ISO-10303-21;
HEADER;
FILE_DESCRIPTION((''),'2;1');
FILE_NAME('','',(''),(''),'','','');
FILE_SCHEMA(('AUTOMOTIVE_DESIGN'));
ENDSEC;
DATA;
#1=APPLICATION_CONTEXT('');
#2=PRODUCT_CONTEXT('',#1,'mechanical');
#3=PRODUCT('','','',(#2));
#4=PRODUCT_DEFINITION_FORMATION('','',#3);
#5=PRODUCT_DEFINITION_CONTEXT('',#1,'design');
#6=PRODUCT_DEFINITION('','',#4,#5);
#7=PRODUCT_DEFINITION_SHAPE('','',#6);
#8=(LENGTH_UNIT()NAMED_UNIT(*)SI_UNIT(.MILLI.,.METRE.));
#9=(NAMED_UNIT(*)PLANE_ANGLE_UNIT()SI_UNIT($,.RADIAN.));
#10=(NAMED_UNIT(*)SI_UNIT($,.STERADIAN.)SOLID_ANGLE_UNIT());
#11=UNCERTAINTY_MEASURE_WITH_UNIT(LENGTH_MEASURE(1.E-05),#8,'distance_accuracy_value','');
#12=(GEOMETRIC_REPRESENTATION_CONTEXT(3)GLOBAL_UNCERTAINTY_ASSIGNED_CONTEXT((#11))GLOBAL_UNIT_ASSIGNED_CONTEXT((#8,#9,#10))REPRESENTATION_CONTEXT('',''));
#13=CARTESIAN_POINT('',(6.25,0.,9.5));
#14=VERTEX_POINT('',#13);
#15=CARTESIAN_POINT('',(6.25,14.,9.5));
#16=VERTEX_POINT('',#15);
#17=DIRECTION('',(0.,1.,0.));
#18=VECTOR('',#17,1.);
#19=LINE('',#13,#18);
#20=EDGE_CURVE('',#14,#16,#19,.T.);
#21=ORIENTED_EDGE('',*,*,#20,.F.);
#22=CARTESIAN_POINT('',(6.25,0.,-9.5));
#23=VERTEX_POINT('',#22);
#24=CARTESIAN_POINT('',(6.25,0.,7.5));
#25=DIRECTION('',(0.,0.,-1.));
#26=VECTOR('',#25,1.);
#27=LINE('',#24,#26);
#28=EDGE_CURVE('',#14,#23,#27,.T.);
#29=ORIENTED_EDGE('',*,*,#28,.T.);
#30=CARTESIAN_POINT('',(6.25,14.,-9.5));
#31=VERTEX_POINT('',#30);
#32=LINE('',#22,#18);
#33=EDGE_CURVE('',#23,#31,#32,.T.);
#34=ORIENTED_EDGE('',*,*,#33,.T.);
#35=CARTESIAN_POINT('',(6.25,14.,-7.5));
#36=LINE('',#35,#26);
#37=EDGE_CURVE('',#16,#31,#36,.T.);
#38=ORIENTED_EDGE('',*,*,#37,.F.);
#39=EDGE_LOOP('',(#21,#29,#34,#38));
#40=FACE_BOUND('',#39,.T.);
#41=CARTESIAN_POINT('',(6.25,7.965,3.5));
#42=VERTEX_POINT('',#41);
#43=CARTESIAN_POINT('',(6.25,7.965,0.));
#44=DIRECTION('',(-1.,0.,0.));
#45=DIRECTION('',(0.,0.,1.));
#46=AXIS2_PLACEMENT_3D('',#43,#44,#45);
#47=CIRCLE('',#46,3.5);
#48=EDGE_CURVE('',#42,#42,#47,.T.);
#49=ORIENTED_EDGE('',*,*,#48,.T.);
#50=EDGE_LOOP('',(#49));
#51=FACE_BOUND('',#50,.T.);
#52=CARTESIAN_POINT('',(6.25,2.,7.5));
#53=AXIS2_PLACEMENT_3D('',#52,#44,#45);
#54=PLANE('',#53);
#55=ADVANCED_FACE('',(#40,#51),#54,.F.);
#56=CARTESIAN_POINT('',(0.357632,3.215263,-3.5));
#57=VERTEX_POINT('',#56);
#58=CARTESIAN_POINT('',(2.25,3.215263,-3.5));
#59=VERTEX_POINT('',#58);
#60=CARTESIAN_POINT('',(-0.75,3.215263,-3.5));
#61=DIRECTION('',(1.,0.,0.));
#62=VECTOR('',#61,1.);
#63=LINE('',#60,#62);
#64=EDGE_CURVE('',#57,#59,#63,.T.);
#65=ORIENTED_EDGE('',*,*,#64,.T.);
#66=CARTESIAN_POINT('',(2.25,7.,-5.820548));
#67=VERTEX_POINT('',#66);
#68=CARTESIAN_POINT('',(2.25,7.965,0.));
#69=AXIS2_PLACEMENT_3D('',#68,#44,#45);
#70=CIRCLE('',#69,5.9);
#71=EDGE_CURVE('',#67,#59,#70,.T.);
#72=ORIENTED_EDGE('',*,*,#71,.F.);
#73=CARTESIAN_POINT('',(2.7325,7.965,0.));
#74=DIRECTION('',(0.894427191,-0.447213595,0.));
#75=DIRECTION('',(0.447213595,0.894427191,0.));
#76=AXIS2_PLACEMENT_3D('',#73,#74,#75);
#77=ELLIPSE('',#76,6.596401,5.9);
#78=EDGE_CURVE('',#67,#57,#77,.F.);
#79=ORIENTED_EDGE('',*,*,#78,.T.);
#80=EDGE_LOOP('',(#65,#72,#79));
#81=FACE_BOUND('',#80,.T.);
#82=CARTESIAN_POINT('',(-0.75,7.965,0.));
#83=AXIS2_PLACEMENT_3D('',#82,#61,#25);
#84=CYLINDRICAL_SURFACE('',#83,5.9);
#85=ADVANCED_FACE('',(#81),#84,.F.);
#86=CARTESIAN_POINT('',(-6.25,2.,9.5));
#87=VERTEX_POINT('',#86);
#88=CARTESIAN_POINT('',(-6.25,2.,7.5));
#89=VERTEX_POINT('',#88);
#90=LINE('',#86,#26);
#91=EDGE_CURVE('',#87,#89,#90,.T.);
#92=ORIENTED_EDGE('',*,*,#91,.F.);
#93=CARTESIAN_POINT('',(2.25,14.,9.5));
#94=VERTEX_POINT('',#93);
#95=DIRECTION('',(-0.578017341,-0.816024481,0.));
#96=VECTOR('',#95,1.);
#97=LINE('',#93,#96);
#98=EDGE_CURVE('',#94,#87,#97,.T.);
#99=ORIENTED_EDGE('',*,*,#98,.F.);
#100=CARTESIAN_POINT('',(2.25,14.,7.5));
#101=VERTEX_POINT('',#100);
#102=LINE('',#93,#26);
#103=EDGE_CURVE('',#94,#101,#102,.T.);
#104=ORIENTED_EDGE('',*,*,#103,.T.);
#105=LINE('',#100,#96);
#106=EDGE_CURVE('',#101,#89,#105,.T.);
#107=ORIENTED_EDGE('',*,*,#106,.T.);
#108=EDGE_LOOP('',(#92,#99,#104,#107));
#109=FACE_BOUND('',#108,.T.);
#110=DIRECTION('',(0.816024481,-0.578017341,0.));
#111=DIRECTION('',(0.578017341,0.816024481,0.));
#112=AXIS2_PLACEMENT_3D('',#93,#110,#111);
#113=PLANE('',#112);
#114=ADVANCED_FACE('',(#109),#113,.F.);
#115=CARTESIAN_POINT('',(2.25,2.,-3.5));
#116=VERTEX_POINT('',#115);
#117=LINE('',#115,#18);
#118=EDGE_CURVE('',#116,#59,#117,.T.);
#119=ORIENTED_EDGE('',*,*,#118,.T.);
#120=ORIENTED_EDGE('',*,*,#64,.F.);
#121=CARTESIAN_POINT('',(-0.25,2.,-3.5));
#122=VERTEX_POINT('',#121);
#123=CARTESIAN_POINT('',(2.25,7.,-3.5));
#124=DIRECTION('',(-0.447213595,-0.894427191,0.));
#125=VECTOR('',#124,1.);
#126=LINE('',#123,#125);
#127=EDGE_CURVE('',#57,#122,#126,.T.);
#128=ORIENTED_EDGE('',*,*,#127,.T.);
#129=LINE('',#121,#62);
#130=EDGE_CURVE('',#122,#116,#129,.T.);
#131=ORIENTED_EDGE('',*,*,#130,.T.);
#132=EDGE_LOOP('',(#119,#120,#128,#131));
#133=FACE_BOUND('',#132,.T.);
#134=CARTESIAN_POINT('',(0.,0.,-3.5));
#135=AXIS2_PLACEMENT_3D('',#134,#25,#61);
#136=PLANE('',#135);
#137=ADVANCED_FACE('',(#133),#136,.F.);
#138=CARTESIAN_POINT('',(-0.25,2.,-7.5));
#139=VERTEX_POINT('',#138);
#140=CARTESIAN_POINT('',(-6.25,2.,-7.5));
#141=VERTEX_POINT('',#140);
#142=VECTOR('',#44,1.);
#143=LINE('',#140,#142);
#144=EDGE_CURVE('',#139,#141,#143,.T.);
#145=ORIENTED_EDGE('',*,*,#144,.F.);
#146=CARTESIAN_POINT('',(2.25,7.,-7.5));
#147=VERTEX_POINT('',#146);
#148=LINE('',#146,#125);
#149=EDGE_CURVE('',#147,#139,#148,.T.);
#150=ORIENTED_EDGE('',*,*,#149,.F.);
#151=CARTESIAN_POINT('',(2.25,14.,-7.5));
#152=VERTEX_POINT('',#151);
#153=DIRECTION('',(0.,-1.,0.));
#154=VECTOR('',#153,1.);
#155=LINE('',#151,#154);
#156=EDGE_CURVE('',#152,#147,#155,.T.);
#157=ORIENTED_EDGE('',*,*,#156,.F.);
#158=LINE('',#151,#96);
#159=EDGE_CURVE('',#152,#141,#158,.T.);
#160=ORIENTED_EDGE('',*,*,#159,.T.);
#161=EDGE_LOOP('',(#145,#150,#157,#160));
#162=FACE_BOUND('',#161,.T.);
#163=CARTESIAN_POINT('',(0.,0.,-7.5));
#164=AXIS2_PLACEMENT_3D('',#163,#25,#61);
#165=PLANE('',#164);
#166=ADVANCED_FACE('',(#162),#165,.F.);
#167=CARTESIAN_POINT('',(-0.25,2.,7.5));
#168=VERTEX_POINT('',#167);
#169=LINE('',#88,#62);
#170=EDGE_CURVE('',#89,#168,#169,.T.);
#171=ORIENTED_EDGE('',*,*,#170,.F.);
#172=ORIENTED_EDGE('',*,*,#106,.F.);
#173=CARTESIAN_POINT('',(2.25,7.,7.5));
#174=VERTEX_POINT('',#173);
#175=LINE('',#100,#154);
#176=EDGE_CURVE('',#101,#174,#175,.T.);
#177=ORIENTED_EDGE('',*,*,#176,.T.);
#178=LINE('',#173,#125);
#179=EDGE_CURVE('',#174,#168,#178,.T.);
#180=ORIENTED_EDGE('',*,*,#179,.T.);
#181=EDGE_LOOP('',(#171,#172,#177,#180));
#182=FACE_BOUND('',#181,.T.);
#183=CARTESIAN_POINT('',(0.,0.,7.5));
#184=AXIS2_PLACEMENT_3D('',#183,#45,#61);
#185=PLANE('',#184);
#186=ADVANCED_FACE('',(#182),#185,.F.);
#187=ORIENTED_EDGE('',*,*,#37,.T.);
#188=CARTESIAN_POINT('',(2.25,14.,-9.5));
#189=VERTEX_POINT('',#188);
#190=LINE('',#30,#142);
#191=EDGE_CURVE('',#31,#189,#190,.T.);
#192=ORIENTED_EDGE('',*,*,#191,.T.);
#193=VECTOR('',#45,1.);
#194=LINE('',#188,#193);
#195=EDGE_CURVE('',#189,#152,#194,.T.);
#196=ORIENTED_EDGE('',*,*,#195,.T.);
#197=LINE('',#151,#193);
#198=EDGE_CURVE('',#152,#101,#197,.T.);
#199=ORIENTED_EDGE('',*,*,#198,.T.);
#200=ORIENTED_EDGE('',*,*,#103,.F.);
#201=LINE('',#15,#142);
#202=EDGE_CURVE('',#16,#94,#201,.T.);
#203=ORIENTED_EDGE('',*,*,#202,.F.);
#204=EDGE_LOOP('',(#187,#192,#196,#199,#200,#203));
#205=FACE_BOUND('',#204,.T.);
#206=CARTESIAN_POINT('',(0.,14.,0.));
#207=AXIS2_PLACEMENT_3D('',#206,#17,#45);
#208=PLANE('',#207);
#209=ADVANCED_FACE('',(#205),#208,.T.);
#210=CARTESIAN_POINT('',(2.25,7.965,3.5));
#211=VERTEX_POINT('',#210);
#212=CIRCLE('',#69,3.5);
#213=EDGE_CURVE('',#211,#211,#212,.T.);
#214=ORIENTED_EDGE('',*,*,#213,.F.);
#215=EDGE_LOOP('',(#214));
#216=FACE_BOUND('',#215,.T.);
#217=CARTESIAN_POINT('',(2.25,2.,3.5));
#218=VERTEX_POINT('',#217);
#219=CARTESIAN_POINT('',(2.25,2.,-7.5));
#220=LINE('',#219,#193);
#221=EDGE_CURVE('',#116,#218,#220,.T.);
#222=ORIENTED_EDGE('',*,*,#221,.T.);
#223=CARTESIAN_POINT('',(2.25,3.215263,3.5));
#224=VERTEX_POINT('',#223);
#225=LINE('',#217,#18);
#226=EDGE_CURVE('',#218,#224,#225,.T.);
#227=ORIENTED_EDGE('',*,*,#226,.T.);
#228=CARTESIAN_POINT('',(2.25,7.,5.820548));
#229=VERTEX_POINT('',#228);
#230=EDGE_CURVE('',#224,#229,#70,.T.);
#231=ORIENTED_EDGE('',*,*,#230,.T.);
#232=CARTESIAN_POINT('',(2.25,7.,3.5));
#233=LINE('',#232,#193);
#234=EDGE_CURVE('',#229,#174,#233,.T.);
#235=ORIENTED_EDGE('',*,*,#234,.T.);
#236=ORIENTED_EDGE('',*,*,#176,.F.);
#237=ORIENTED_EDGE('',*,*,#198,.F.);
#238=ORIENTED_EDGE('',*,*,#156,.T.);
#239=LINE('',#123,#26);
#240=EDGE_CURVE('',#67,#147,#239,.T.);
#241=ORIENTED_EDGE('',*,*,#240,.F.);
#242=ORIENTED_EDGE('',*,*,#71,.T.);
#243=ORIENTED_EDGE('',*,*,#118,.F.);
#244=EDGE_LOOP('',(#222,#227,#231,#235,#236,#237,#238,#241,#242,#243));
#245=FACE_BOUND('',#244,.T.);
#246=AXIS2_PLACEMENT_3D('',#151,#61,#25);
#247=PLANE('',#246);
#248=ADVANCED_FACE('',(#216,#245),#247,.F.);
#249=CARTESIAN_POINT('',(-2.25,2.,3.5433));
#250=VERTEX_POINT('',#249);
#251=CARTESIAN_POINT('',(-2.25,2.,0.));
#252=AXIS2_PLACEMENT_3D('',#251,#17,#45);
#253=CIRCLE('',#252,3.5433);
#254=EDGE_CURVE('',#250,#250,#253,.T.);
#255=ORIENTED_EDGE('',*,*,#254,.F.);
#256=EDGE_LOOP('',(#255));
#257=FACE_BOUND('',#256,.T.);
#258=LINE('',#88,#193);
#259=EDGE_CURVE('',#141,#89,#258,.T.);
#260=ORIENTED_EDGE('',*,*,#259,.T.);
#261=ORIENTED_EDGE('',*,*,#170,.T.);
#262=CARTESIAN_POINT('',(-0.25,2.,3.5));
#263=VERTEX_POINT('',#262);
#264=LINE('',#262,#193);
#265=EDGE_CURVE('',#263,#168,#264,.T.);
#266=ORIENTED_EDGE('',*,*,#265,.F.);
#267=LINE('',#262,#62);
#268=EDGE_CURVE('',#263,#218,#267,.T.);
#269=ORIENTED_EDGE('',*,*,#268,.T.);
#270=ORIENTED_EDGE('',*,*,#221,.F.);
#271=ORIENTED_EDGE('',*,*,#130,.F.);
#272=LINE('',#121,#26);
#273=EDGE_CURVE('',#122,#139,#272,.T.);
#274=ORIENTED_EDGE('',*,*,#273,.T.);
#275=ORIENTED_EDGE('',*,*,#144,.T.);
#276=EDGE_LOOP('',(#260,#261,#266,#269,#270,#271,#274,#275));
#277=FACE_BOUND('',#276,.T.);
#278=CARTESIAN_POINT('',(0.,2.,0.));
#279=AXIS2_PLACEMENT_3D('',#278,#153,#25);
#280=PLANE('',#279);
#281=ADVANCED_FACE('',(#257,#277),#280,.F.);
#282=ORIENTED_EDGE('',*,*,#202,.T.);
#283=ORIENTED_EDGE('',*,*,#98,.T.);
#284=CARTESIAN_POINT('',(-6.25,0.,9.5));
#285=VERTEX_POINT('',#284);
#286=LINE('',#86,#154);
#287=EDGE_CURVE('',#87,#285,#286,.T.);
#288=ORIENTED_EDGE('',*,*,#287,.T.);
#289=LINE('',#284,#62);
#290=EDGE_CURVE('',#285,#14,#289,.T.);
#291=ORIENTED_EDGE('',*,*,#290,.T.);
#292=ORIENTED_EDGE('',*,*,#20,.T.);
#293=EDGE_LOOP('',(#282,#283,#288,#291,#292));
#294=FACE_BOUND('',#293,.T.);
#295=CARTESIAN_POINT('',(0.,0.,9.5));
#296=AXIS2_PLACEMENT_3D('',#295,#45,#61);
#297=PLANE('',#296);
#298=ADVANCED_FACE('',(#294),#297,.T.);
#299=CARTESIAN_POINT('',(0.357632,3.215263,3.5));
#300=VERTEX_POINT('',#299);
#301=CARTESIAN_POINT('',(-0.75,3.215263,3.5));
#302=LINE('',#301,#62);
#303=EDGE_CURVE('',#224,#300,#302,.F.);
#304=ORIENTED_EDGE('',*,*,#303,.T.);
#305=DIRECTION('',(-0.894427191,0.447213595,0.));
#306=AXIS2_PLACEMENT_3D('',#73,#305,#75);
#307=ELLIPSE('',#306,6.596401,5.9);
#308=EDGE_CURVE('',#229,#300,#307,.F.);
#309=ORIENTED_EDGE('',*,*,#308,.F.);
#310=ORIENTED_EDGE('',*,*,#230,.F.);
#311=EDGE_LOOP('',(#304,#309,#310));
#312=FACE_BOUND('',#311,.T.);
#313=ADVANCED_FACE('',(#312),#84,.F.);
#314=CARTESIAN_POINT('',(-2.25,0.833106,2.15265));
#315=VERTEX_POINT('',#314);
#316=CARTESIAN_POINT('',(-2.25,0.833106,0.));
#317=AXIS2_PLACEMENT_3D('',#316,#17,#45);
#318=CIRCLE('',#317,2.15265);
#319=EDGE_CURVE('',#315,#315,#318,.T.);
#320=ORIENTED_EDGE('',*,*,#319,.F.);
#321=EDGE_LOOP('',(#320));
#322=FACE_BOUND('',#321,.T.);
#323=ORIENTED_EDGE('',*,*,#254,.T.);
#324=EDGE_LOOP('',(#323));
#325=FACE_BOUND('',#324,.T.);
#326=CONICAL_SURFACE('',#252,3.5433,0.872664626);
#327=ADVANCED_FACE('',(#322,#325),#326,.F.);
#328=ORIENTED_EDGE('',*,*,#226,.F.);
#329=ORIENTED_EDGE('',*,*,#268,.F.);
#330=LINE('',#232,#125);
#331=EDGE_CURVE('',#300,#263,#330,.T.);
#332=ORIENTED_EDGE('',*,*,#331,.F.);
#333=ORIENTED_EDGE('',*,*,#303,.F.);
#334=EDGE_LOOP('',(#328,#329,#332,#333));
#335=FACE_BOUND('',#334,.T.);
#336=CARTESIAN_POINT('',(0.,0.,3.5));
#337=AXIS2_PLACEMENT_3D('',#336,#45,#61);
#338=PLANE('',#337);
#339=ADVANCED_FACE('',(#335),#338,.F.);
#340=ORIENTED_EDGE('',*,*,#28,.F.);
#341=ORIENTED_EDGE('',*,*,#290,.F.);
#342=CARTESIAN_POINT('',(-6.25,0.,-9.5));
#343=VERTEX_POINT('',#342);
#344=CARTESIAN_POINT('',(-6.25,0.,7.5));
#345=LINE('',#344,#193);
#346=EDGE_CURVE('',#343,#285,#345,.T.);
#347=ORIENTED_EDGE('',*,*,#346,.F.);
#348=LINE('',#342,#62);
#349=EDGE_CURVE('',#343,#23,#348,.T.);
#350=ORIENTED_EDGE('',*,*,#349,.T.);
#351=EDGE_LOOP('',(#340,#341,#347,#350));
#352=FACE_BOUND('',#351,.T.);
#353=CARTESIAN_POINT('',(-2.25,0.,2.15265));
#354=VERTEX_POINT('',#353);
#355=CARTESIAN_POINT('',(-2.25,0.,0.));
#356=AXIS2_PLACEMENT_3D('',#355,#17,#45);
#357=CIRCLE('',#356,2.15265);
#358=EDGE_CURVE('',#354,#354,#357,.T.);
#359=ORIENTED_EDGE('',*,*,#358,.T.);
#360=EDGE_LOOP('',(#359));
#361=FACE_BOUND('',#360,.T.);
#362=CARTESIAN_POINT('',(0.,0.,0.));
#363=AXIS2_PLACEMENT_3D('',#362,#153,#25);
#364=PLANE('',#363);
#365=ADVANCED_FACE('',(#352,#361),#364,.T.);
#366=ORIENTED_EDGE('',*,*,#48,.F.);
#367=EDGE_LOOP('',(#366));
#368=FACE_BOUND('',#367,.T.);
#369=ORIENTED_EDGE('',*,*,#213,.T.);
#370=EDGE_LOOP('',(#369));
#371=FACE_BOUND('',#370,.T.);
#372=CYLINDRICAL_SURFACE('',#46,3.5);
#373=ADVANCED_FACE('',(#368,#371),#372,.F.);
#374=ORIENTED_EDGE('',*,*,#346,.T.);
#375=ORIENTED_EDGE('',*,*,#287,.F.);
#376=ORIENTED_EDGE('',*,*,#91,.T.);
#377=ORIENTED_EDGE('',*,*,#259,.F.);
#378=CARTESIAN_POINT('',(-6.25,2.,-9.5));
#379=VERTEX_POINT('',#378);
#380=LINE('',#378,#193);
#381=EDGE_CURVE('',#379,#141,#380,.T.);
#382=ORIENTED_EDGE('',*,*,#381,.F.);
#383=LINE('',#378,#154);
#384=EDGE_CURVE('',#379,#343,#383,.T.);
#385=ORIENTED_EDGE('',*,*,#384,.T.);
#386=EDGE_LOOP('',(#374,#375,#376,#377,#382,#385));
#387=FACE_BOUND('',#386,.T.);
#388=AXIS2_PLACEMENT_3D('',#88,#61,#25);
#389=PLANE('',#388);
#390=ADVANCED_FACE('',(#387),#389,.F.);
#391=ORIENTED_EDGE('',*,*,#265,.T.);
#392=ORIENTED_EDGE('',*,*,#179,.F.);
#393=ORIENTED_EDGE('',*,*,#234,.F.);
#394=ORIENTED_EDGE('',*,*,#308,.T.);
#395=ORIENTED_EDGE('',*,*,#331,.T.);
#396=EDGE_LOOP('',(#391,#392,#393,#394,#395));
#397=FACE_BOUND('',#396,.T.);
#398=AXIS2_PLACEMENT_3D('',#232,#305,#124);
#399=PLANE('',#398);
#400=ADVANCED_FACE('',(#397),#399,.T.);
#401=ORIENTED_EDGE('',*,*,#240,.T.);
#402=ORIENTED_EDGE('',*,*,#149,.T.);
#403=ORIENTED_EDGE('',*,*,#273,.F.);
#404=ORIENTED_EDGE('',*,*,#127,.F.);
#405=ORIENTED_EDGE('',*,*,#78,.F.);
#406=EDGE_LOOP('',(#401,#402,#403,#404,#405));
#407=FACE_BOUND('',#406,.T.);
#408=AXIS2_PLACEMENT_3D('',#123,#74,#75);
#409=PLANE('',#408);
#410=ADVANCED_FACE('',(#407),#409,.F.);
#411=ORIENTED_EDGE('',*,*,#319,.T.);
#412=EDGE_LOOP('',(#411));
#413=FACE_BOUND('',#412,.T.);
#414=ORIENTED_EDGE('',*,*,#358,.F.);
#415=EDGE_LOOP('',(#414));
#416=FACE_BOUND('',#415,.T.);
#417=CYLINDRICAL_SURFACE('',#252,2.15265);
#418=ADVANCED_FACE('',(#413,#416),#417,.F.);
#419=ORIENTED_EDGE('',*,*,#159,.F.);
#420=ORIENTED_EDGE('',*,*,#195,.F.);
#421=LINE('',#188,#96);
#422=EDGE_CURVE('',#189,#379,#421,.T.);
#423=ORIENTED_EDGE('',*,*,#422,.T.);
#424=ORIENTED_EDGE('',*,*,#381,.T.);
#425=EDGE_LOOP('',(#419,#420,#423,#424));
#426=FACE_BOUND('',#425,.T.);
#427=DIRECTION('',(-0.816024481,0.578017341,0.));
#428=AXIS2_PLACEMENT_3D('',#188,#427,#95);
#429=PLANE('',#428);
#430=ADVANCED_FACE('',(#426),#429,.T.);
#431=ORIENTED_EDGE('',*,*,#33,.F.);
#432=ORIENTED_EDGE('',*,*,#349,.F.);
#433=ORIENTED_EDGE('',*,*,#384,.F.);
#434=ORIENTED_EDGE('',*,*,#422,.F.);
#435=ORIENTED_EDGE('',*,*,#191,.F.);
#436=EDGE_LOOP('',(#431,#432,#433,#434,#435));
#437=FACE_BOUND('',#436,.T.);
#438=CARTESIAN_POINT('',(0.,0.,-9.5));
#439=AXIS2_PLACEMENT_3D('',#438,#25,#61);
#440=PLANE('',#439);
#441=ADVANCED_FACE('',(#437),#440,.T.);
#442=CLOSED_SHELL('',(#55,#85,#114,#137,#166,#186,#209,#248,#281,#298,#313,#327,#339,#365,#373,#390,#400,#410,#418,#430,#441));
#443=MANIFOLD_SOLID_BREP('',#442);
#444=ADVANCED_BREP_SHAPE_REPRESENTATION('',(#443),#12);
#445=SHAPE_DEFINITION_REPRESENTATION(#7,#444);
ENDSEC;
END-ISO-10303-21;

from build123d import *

# Parameters (mm, degrees)
SKETCH1_W           = 12.5
SKETCH1_H           = 15
BOSS_EXTRUDE1_DEPTH = 2
SKETCH4_W           = 4
SKETCH4_H           = 15
BOSS_EXTRUDE2_DEPTH = 12
BOSS_EXTRUDE3_DEPTH = 4
SKETCH5_R           = 3.5
CUT_EXTRUDE2_DEPTH  = 19.013883535
SKETCH9_R           = 5.9
CUT_EXTRUDE4_DEPTH  = 3
BOSS_EXTRUDE4_DEPTH = 2


with BuildPart() as part:
    # Sketch1 → Boss-Extrude1 (new body)
    with BuildSketch(Plane(origin=(0, 0, 0), x_dir=(1, 0, 0), z_dir=(0, 1, 0))):
        Rectangle(SKETCH1_W, SKETCH1_H)
    extrude(amount=BOSS_EXTRUDE1_DEPTH)

    # Sketch4 → Boss-Extrude2 (add)
    with BuildSketch(Plane(origin=(0, 2, 0), x_dir=(1, 0, 0), z_dir=(0, 1, 0))):
        with Locations((4.25, 0)):
            Rectangle(SKETCH4_W, SKETCH4_H)
    extrude(amount=BOSS_EXTRUDE2_DEPTH)

    # Sketch8 → Boss-Extrude3 (add)
    with BuildSketch(Plane.XY.offset(7.5)):
        Polygon((2.25, 2), (2.25, 7), (-0.25, 2), align=None)
    boss_extrude3 = extrude(amount=-BOSS_EXTRUDE3_DEPTH)

    # Sketch5 → Cut-Extrude2 (cut, through all)
    with BuildSketch(Plane.ZY.offset(-2.25)):
        with Locations((0, 7.965)):
            Circle(SKETCH5_R)
    extrude(amount=-CUT_EXTRUDE2_DEPTH, mode=Mode.SUBTRACT)

    # Sketch10 → CSK for #6 Flat Head Machine Screw (100)1 (revolve, cut)
    with BuildSketch(Plane(origin=(-2.25, 2, 0), x_dir=(0, 0, 1), z_dir=(1, 0, 0))):
        Polygon((0, 0), (0, 2), (2.15265, 2), (2.15265, 1.166893902), (3.5433, 0), align=None)
    revolve(axis=Axis((-2.25, 8.35, 0), (0, -1, 0)), mode=Mode.SUBTRACT)

    # Mirror1: Boss-Extrude3 across plane
    add(boss_extrude3.mirror(Plane.XY))

    # Sketch9 → Cut-Extrude4 (cut)
    with BuildSketch(Plane.ZY.offset(-2.25)):
        with Locations((0, 7.965)):
            Circle(SKETCH9_R)
    extrude(amount=CUT_EXTRUDE4_DEPTH, mode=Mode.SUBTRACT)

    # Sketch12 → Boss-Extrude4 (add)
    with BuildSketch(Plane.XY.offset(7.5)):
        Polygon((2.25, 14), (-6.25, 2), (-6.25, 0), (6.25, 0), (6.25, 14), align=None)
    boss_extrude4 = extrude(amount=BOSS_EXTRUDE4_DEPTH)

    # Mirror2: Boss-Extrude4 across plane
    add(boss_extrude4.mirror(Plane.XY))


solid = part.part
